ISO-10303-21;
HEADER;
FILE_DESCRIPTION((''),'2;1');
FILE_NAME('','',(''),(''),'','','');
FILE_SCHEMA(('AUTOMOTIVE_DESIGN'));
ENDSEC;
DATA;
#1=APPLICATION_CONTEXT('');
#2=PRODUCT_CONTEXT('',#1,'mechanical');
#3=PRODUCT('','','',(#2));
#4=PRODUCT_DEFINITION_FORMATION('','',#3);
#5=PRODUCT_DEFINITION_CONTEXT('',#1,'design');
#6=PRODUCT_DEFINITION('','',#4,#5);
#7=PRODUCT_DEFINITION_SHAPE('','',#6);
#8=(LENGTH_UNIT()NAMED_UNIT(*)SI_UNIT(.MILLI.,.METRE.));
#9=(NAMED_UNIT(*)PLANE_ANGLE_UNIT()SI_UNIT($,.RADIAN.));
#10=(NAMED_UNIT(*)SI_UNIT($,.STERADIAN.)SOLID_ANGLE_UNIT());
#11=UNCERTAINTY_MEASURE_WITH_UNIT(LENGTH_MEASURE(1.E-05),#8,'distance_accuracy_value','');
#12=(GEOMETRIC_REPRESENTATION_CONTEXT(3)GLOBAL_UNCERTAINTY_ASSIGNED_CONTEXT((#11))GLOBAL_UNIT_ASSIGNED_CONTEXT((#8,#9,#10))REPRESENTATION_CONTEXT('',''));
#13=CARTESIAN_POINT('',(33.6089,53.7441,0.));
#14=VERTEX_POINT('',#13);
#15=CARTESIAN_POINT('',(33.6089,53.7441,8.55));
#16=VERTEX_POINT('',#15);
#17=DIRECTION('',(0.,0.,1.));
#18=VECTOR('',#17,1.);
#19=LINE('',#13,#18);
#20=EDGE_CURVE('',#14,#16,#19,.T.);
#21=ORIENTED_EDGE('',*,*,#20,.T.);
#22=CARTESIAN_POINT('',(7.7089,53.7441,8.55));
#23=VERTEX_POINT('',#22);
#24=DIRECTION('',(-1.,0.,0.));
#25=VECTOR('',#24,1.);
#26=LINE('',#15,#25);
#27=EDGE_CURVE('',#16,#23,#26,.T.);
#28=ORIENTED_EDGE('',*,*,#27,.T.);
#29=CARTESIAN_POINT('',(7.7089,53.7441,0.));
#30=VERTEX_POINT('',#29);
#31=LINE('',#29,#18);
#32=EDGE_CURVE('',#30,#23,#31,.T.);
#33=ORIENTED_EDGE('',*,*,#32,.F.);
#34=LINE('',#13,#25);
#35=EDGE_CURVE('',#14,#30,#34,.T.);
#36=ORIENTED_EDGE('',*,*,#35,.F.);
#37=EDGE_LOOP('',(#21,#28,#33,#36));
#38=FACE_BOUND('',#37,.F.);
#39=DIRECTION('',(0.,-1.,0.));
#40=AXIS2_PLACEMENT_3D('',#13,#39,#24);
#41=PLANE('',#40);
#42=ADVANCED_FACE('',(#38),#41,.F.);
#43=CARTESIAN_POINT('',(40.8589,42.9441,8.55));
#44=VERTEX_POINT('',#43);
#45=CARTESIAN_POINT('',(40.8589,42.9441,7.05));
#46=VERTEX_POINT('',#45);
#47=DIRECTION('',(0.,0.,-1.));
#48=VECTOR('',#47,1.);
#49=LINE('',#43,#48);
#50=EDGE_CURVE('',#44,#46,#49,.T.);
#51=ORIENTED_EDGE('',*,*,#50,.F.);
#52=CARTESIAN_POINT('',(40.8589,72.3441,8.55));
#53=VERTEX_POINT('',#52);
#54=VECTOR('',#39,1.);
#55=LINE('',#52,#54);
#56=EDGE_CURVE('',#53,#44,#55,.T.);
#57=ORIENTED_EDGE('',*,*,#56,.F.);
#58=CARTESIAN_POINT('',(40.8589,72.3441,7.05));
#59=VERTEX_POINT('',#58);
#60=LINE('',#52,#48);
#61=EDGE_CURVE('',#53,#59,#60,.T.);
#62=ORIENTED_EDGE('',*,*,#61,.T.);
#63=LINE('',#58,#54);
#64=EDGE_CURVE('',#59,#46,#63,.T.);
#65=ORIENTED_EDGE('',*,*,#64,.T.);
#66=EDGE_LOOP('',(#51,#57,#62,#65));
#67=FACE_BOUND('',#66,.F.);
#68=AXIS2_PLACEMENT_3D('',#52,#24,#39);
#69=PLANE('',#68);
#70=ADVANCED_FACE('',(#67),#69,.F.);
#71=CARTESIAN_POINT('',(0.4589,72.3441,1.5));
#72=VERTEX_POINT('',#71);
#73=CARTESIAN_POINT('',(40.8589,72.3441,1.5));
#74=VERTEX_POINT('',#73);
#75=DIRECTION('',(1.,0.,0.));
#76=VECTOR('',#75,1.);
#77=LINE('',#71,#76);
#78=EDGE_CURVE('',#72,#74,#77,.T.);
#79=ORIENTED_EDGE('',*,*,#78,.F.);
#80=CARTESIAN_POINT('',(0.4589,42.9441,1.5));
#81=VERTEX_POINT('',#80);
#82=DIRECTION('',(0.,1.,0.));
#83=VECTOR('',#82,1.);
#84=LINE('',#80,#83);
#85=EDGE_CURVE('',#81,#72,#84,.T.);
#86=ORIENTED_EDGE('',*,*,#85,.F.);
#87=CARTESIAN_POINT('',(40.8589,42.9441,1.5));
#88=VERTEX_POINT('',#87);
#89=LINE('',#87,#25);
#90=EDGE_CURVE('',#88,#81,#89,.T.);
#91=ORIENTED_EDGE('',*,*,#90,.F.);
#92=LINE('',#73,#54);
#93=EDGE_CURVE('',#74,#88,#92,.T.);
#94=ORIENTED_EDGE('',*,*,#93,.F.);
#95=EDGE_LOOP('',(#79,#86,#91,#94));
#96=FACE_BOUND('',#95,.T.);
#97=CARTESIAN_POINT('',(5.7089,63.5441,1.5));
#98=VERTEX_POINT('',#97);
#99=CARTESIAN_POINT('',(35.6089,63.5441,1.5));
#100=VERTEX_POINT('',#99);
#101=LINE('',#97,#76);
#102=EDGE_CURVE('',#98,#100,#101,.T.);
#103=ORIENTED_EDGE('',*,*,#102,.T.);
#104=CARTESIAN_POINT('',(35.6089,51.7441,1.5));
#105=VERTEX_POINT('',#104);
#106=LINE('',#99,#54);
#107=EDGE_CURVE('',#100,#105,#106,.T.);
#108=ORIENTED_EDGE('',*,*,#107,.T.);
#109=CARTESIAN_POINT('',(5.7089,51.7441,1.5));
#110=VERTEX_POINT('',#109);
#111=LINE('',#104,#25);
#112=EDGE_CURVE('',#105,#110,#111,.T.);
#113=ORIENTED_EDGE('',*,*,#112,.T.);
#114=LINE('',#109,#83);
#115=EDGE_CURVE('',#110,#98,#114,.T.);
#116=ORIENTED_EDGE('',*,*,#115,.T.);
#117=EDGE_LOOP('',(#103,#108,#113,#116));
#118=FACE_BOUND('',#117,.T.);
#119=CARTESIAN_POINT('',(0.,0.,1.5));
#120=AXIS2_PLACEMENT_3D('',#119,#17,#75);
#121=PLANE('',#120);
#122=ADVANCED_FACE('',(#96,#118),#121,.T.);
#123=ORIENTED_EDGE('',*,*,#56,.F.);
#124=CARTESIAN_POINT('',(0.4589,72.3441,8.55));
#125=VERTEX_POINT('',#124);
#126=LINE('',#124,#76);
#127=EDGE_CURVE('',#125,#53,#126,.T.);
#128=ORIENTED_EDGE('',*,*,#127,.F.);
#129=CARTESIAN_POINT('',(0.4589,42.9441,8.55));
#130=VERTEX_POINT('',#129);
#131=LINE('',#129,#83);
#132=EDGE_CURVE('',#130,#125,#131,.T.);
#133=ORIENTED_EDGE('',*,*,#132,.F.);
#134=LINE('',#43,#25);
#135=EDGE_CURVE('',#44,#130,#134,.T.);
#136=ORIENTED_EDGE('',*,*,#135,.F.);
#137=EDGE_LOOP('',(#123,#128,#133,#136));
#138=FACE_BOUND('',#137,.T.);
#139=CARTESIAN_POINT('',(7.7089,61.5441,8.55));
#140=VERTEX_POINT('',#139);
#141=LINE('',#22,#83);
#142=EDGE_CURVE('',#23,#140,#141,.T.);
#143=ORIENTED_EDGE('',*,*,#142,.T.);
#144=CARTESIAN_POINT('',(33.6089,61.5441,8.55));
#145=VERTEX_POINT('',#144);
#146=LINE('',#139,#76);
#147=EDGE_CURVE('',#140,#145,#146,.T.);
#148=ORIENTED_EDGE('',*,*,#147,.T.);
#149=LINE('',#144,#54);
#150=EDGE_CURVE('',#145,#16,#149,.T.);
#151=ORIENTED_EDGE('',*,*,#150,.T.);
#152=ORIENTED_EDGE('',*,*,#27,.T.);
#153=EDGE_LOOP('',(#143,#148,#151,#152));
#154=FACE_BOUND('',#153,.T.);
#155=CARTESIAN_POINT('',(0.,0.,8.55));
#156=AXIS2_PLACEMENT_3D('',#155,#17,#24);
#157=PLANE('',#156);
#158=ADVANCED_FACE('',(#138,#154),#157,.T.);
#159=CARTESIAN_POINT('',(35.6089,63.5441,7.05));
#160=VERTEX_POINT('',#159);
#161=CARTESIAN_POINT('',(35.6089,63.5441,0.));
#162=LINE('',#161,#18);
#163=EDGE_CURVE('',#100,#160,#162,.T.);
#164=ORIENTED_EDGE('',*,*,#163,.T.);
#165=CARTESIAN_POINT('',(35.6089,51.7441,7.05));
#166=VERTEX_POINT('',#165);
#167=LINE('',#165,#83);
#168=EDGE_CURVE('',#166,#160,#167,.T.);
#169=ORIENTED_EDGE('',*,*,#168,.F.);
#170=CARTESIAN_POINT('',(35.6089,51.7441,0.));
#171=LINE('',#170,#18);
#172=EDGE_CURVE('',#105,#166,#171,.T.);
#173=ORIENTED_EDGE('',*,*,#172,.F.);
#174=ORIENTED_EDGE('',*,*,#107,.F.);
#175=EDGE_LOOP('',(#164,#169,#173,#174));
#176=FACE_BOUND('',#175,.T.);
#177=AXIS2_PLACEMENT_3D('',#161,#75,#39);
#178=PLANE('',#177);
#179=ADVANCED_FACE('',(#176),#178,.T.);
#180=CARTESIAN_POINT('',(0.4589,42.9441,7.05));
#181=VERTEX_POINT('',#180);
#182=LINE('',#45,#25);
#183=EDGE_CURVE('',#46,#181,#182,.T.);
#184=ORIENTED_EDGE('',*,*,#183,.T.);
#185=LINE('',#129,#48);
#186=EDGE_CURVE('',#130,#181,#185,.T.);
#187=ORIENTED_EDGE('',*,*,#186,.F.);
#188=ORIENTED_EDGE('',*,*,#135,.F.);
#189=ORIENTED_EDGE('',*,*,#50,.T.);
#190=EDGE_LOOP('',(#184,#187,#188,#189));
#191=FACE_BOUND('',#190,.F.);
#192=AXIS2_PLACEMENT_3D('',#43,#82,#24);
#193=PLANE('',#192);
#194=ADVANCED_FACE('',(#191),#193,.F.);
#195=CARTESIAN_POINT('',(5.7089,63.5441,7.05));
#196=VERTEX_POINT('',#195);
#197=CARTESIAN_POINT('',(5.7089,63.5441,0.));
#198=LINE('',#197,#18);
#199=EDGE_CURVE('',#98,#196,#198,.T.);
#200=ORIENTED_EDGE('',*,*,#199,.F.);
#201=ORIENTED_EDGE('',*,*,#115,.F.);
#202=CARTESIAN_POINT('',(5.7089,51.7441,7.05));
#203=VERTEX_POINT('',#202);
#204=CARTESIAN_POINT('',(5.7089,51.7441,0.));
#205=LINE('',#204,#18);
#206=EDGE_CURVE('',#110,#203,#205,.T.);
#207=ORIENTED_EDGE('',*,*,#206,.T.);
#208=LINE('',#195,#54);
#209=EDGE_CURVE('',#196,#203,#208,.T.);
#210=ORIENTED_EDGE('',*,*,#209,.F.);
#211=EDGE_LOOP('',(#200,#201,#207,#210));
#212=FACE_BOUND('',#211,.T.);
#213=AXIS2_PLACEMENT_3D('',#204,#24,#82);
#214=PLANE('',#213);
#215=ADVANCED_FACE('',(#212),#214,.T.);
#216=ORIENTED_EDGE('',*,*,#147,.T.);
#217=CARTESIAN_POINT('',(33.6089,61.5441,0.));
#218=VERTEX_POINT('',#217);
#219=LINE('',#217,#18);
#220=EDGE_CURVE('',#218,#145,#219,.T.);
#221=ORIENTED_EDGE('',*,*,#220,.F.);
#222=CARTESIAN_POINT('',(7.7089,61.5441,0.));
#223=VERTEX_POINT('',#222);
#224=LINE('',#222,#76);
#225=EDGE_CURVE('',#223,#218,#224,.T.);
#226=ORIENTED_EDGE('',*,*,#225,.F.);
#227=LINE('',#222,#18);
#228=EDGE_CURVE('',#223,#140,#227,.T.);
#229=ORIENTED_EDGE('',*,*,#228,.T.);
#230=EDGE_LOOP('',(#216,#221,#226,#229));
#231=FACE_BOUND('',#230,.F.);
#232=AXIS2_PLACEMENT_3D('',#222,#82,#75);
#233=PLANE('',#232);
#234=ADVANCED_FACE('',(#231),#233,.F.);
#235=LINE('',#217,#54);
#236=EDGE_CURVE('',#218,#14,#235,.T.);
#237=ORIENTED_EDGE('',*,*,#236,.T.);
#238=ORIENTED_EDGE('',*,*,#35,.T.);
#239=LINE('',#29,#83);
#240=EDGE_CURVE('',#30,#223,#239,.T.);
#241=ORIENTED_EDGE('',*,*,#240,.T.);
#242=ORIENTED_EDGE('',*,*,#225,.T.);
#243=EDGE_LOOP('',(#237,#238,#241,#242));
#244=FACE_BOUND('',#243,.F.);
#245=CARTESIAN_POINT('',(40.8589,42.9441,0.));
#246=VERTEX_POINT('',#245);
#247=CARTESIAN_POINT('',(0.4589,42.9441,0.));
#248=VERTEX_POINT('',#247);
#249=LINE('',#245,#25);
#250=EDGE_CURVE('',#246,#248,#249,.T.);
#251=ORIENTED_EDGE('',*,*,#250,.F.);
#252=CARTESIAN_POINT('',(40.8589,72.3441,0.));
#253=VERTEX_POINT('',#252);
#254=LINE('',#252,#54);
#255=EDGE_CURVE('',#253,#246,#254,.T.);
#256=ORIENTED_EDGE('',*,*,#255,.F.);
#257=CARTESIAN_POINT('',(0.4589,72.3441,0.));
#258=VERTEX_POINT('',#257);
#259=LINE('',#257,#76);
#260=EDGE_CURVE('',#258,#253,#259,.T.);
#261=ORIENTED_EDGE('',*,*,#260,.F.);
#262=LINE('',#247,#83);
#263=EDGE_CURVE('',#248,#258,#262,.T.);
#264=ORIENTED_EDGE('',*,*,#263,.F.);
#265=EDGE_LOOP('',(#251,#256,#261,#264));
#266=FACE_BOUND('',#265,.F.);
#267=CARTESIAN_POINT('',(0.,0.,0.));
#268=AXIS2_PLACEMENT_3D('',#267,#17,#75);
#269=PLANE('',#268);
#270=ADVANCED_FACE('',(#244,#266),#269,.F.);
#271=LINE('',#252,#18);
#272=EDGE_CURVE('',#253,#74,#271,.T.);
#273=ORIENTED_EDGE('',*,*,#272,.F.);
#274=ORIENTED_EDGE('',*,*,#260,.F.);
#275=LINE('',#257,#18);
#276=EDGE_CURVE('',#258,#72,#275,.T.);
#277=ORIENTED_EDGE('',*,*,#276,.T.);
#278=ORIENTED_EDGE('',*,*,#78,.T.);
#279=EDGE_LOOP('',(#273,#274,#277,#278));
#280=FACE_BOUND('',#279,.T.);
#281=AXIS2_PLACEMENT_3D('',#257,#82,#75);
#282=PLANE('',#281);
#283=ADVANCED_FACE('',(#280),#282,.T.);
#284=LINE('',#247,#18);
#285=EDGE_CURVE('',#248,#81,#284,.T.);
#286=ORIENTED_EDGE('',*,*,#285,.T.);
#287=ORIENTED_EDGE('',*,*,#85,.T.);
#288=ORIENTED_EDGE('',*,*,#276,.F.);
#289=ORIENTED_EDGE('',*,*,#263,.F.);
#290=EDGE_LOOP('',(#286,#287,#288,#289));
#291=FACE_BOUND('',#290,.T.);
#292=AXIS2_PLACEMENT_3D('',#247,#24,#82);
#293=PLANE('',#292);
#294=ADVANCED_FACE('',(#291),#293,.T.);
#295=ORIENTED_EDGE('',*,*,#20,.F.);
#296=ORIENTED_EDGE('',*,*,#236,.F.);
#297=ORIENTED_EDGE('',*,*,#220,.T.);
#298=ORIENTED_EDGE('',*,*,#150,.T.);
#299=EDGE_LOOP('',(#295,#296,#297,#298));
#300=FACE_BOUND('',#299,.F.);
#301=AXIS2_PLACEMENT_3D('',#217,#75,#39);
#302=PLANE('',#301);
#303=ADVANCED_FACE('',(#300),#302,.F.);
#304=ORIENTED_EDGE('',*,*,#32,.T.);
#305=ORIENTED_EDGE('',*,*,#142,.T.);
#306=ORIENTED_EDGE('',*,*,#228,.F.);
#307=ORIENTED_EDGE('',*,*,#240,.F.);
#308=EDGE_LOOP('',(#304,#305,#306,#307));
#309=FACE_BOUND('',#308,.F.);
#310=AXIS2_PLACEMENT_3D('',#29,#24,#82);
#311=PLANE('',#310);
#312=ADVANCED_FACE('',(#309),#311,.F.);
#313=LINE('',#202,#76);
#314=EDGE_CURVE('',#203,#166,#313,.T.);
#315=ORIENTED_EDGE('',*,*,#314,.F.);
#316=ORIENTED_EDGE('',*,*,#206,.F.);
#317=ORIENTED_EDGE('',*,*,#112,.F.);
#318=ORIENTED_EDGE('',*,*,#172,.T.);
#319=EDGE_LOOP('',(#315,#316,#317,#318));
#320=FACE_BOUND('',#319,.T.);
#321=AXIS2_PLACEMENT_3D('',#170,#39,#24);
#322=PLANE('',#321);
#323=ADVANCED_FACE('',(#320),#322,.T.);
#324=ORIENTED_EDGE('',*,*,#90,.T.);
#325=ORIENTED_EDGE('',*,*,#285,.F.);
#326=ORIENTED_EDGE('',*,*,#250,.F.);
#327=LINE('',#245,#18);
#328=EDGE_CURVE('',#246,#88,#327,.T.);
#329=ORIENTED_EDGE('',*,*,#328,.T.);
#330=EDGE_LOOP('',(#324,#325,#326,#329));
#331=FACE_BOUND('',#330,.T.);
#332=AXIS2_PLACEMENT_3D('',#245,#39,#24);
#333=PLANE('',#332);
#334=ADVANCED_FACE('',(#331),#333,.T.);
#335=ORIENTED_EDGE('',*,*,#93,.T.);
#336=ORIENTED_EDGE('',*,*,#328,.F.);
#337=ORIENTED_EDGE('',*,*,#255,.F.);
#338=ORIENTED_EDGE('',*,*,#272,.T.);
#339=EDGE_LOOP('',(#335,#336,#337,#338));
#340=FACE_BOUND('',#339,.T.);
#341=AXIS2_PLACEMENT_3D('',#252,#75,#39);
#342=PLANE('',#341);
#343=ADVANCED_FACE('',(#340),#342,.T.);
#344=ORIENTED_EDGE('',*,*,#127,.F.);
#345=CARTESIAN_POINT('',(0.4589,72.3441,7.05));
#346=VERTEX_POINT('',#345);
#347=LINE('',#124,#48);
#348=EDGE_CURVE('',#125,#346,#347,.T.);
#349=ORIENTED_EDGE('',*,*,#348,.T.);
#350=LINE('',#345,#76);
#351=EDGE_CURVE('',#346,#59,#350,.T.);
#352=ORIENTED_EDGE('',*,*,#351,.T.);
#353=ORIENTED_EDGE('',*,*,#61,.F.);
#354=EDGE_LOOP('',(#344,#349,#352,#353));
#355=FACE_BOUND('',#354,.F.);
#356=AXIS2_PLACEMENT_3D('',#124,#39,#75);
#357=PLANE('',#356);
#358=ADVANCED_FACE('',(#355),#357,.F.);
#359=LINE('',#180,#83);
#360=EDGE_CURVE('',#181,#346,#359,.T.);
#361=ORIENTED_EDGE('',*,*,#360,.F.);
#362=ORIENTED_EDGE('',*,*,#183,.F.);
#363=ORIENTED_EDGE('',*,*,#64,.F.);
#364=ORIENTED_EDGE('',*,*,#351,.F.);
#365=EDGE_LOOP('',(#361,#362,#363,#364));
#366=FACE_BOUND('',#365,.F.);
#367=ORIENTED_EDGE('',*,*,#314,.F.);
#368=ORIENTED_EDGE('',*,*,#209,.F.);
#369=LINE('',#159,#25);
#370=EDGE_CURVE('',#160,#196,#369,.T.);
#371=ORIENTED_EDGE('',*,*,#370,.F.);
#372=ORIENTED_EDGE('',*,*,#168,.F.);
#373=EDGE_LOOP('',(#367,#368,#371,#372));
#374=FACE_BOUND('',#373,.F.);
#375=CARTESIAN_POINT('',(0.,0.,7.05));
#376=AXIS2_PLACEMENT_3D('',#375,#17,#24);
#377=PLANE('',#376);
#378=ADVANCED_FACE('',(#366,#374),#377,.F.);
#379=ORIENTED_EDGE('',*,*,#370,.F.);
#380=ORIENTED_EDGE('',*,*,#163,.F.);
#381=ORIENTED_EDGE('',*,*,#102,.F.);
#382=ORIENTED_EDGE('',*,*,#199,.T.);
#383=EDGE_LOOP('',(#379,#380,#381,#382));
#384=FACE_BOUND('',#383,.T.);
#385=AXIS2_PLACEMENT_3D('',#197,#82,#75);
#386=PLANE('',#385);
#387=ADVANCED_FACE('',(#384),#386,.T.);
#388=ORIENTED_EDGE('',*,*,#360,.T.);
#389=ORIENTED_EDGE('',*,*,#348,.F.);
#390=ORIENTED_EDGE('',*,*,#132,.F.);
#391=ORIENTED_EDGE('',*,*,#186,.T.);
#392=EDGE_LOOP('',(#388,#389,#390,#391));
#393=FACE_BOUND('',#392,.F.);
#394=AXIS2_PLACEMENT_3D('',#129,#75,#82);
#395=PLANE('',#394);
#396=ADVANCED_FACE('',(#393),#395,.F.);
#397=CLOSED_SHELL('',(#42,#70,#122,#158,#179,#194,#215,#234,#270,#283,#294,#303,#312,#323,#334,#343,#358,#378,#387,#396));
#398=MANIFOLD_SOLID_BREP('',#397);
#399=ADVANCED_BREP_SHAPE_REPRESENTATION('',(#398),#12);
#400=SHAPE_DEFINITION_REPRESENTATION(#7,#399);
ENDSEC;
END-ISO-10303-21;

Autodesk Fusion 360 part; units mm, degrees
sketch "Sketch1" plane through (0, 0, 0) normal (0, 0, 1) x (1, 0, 0)
  line L0 (0.4589, 72.3441) -> (40.8589, 72.3441)
  line L1 (40.8589, 72.3441) -> (40.8589, 42.9441)
  line L2 (40.8589, 42.9441) -> (0.4589, 42.9441)
  line L3 (0.4589, 42.9441) -> (0.4589, 72.3441)
  line L4 (7.7089, 61.5441) -> (33.6089, 61.5441)
  line L5 (33.6089, 61.5441) -> (33.6089, 53.7441)
  line L6 (33.6089, 53.7441) -> (7.7089, 53.7441)
  line L7 (7.7089, 53.7441) -> (7.7089, 61.5441)
  line L8 (20.6589, 72.3441) -> (20.6589, 42.9441) construction
  line L9 (7.7089, 57.6441) -> (33.6089, 57.6441) construction
  line L10 (35.6089, 51.7441) -> (5.7089, 51.7441)
  line L11 (5.7089, 51.7441) -> (5.7089, 63.5441)
  line L12 (5.7089, 63.5441) -> (35.6089, 63.5441)
  line L13 (35.6089, 63.5441) -> (35.6089, 51.7441)
  dimension "d7" = 10.8
  dimension "d8" = 10.8
  dimension "d9" = 7.8
  dimension "d10" = 25.9
  dimension "d11" = 40.4
  dimension "d12" = -2
extrude "Extrude1" add sketch "Sketch1" along normal blind 8.55 contours L10 L11 L12 L13
extrude "Extrude2" add sketch "Sketch1" along normal blind 1.5 contours L0 L1 L2 L3
sketch "Sketch2" plane through (0, 0, 8.55) normal (0, 0, 1) x (-1, 0, 0)
  line L0 (-33.6089, -53.7441) -> (-7.7089, -53.7441)
  line L1 (-7.7089, -53.7441) -> (-7.7089, -61.5441)
  line L2 (-7.7089, -61.5441) -> (-33.6089, -61.5441)
  line L3 (-33.6089, -61.5441) -> (-33.6089, -53.7441)
  line L4 (-35.6089, -63.5441) -> (-5.7089, -63.5441)
  line L5 (-5.7089, -63.5441) -> (-5.7089, -51.7441)
  line L6 (-5.7089, -51.7441) -> (-35.6089, -51.7441)
  line L7 (-35.6089, -51.7441) -> (-35.6089, -63.5441)
  line L8 (-40.8589, -72.3441) -> (-40.8589, -42.9441)
  line L9 (-0.4589, -72.3441) -> (-40.8589, -72.3441)
  line L10 (-40.8589, -42.9441) -> (-0.4589, -42.9441)
  line L11 (-0.4589, -42.9441) -> (-0.4589, -72.3441)
extrude "Extrude3" add sketch "Sketch2" against normal blind 1.5 contours L8 L9 L10 L11
equation "CenterLegWidth = 7.3 mm"
equation "CenterLegThickness = 25.4 mm"
equation "SideLegWidth = 3.65 mm"
equation "SideLegThickness = 25.4 mm"
equation "WindowWidth = 11.6 mm"
equation "WindowHeight = 9 mm"
equation "d7 = WindowWidth - 0.8 mm"
equation "d8 = WindowWidth - 0.8 mm"
equation "d9 = CenterLegWidth + 0.5 mm"
equation "d10 = CenterLegThickness + 0.5 mm"
equation "d11 = CenterLegThickness + 15 mm"
equation "d13 = WindowHeight - 0.45 mm"
